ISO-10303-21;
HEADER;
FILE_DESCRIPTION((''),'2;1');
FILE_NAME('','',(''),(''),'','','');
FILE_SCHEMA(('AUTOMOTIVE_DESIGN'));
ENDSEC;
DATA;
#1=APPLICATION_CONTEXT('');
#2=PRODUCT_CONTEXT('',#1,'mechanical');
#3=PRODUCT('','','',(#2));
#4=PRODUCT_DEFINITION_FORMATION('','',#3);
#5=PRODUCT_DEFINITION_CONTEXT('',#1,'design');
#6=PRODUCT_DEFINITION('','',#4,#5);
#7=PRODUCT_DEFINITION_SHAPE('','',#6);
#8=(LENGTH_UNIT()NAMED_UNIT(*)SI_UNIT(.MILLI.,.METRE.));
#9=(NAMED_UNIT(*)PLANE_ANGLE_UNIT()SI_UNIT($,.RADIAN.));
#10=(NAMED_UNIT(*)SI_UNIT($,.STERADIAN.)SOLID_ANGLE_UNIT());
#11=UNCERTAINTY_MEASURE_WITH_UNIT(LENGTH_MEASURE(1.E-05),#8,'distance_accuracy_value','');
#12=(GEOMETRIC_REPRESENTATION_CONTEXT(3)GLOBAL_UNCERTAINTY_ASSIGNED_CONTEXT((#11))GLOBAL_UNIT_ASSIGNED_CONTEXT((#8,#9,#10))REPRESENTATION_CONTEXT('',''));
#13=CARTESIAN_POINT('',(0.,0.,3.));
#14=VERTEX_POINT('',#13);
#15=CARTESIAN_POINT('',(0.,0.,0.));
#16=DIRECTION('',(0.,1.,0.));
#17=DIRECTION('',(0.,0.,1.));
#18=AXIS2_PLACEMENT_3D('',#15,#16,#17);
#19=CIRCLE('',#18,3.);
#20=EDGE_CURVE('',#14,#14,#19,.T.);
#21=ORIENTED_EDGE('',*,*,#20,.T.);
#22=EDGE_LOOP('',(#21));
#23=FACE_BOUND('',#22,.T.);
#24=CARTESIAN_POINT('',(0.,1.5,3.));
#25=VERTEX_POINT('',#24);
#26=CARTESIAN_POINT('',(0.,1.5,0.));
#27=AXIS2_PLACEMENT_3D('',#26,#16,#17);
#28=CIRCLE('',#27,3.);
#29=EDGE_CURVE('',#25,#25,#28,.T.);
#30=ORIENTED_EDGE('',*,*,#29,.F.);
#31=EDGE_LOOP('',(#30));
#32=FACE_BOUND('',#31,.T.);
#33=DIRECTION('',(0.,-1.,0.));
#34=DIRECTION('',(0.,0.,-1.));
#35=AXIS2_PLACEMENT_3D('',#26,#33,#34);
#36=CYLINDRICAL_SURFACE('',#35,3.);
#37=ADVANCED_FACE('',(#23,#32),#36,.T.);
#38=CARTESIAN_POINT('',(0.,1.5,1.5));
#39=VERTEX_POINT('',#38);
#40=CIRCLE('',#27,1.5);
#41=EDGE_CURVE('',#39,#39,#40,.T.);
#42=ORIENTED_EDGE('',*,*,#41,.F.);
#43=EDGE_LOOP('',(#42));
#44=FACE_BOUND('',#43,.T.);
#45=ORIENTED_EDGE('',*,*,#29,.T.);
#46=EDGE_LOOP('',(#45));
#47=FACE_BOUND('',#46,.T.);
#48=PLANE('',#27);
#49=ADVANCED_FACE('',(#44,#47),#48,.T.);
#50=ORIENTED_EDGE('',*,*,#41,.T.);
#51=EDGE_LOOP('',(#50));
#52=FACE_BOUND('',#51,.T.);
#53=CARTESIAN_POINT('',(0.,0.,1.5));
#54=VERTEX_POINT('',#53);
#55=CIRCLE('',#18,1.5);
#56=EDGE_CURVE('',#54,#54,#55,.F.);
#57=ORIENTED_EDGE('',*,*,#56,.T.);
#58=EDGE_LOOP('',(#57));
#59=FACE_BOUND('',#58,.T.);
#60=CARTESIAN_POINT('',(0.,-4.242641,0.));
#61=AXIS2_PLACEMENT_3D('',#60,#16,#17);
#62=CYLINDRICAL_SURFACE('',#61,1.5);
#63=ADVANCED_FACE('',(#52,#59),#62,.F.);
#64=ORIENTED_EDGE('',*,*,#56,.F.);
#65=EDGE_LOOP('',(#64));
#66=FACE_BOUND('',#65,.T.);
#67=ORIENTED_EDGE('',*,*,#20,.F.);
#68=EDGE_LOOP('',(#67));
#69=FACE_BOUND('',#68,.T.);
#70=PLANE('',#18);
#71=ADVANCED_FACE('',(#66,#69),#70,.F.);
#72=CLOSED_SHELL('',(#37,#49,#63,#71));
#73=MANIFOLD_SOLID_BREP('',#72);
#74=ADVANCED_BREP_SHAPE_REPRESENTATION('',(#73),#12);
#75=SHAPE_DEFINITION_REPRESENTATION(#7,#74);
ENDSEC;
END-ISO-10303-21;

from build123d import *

# Parameters (mm, degrees)
SKETCH1_R           = 3
BOSS_EXTRUDE1_DEPTH = 1.5
SKETCH2_R           = 1.5
CUT_EXTRUDE1_DEPTH  = 1.5


with BuildPart() as part:
    # Sketch1 → Boss-Extrude1 (new body)
    with BuildSketch(Plane(origin=(0, 0, 0), x_dir=(1, 0, 0), z_dir=(0, 1, 0))):
        with Locations(Location((0, 0, 0), (0, 0, 270))):  # turned: the seam where the file's is
            Circle(SKETCH1_R)
    extrude(amount=BOSS_EXTRUDE1_DEPTH)

    # Sketch2 → Cut-Extrude1 (cut)
    with BuildSketch(Plane(origin=(0, 1.5, 0), x_dir=(1, 0, 0), z_dir=(0, 1, 0))):
        with Locations(Location((0, 0, 0), (0, 0, 270))):  # turned: the seam where the file's is
            Circle(SKETCH2_R)
    extrude(amount=-CUT_EXTRUDE1_DEPTH, mode=Mode.SUBTRACT)


solid = part.part
